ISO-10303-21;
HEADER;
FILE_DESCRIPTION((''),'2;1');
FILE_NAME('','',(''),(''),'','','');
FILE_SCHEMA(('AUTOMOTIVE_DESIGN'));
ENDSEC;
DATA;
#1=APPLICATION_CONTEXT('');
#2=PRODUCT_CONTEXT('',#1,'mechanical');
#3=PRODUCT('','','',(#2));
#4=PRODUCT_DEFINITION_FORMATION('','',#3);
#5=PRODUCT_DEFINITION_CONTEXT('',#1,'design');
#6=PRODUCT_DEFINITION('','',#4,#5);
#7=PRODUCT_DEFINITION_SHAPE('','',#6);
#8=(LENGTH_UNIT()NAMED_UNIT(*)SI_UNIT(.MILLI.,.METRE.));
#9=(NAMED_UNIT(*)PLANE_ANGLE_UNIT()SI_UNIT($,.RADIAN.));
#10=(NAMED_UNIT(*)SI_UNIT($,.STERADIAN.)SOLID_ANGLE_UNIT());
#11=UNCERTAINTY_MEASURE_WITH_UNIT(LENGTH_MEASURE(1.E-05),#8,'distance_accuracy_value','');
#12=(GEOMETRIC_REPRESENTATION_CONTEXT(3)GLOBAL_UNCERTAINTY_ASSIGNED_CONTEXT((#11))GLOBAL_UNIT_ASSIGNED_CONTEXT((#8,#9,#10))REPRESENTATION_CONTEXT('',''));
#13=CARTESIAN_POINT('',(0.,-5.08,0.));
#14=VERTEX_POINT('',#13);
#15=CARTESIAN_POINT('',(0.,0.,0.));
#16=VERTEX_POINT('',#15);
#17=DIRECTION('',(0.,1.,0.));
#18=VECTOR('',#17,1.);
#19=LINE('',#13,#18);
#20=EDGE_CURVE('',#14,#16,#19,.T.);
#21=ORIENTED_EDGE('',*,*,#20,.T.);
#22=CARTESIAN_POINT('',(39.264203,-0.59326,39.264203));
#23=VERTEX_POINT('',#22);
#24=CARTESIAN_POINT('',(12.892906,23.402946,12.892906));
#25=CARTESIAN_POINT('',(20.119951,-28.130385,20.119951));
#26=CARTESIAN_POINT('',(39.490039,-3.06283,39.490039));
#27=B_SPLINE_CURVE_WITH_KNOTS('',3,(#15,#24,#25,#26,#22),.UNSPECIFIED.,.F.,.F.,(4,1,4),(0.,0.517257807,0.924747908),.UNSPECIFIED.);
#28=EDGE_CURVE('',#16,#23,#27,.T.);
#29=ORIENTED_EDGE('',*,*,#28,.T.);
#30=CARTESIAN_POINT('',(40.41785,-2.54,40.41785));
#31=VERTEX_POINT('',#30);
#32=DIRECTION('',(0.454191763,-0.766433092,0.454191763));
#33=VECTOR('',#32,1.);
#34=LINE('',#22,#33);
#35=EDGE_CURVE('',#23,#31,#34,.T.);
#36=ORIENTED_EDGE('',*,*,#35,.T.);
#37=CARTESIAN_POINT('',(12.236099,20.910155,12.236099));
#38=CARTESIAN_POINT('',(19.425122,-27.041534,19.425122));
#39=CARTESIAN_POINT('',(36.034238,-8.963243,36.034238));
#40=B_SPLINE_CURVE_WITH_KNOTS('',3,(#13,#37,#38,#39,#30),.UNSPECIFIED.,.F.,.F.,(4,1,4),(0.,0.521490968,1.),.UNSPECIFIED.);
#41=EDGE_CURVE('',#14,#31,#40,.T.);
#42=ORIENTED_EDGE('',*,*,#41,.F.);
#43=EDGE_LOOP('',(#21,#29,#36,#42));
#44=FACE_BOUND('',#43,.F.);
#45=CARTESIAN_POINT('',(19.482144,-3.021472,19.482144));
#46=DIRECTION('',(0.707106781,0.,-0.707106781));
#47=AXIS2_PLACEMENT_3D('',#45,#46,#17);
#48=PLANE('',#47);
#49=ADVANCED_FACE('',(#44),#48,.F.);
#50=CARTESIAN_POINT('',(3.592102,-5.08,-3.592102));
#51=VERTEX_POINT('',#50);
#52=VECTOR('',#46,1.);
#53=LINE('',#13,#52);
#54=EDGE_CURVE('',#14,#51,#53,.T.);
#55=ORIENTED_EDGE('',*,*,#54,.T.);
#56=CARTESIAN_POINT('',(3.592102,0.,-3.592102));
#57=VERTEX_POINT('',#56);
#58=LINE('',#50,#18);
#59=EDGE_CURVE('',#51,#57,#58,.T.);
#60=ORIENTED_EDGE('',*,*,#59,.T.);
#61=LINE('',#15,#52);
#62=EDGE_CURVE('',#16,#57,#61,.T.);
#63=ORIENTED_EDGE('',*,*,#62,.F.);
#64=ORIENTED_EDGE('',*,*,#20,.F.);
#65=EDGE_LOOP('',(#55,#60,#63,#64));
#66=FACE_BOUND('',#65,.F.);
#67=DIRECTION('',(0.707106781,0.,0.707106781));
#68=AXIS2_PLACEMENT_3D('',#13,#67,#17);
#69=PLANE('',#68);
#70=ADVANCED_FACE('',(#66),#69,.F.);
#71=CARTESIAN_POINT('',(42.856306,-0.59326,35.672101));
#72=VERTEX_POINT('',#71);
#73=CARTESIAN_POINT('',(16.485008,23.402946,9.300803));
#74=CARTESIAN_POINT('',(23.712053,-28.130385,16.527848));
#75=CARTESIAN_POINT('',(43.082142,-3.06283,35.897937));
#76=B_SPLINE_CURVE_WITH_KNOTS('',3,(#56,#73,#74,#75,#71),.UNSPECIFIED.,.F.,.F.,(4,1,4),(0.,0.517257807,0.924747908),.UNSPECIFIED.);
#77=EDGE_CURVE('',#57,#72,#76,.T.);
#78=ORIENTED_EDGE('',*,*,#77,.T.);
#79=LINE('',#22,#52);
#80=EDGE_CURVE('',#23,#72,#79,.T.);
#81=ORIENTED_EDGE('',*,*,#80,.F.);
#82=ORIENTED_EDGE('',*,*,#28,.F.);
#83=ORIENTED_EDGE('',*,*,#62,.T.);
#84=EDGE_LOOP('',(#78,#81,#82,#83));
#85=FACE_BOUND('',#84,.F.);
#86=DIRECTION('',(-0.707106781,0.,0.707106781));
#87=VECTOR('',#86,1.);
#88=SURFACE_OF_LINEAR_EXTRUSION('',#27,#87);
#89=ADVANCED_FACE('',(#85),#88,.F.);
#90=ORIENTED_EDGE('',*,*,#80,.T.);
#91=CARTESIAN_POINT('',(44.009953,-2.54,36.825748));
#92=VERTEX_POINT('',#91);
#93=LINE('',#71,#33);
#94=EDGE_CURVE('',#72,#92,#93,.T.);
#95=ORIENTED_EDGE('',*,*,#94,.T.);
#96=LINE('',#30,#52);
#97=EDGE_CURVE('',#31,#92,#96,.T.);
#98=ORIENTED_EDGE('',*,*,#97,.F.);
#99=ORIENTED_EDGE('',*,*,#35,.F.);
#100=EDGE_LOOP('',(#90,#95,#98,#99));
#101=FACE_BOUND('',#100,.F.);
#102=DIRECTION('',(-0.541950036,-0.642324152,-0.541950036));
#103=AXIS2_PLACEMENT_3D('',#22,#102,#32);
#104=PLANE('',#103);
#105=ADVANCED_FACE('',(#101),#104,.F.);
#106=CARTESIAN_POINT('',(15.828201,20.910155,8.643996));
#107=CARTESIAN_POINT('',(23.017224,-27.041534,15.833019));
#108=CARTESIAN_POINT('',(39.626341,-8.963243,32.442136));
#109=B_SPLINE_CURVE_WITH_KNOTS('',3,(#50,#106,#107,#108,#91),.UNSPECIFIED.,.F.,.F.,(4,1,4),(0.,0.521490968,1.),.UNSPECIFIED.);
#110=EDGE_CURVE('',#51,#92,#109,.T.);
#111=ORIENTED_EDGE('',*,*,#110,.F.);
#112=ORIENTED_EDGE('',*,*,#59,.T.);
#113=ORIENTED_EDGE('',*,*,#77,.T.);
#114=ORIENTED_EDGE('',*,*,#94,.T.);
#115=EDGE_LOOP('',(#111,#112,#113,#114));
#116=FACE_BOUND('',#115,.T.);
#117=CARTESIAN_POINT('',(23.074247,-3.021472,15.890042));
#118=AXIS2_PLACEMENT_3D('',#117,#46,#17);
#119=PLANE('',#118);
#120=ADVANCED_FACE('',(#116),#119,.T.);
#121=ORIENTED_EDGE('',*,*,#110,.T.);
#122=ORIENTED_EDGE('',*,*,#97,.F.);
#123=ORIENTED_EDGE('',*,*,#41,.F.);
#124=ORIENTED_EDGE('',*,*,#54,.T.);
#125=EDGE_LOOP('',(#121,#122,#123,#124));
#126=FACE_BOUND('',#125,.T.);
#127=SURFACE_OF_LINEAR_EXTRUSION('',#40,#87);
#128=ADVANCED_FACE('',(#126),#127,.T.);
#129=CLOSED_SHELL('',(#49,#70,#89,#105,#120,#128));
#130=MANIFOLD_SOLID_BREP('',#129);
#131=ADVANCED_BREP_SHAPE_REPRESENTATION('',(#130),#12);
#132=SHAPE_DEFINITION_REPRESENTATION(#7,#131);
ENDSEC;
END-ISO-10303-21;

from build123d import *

# Parameters (mm, degrees)
F3_DEPTH = 5.08


with BuildPart() as f3:
    # F2 (on face) → F3 (new body)
    with BuildSketch(Plane(origin=(0, 0, 0), x_dir=(0, 1, 0), z_dir=(0.7071067812, 0, -0.7071067812))):
        with BuildLine():
            Line((-5.08, 0), (0, 0))
            add(Edge.make_bspline(
                [(0, 0), (23.4029460788, 18.2333222313), (-28.1303848957, 28.4539069975), (-3.0628304596, 55.8473494067), (-0.593259947, 55.5279689115)],
                knots=[0, 0, 0, 0, 0.5172578071, 0.9247479083, 0.9247479083, 0.9247479083, 0.9247479083], degree=3))
            Line((-0.593259947, 55.5279689115), (-2.54, 57.1594722569))
            add(Edge.make_bspline(
                [(-5.08, 0), (20.9101547671, 17.3044570296), (-27.0415343323, 27.4712705946), (-8.9632431045, 50.9601086378), (-2.54, 57.1594722569)],
                knots=[0, 0, 0, 0, 0.5214909676, 1, 1, 1, 1], degree=3))
        make_face()
    extrude(amount=F3_DEPTH)


solid = f3.part
